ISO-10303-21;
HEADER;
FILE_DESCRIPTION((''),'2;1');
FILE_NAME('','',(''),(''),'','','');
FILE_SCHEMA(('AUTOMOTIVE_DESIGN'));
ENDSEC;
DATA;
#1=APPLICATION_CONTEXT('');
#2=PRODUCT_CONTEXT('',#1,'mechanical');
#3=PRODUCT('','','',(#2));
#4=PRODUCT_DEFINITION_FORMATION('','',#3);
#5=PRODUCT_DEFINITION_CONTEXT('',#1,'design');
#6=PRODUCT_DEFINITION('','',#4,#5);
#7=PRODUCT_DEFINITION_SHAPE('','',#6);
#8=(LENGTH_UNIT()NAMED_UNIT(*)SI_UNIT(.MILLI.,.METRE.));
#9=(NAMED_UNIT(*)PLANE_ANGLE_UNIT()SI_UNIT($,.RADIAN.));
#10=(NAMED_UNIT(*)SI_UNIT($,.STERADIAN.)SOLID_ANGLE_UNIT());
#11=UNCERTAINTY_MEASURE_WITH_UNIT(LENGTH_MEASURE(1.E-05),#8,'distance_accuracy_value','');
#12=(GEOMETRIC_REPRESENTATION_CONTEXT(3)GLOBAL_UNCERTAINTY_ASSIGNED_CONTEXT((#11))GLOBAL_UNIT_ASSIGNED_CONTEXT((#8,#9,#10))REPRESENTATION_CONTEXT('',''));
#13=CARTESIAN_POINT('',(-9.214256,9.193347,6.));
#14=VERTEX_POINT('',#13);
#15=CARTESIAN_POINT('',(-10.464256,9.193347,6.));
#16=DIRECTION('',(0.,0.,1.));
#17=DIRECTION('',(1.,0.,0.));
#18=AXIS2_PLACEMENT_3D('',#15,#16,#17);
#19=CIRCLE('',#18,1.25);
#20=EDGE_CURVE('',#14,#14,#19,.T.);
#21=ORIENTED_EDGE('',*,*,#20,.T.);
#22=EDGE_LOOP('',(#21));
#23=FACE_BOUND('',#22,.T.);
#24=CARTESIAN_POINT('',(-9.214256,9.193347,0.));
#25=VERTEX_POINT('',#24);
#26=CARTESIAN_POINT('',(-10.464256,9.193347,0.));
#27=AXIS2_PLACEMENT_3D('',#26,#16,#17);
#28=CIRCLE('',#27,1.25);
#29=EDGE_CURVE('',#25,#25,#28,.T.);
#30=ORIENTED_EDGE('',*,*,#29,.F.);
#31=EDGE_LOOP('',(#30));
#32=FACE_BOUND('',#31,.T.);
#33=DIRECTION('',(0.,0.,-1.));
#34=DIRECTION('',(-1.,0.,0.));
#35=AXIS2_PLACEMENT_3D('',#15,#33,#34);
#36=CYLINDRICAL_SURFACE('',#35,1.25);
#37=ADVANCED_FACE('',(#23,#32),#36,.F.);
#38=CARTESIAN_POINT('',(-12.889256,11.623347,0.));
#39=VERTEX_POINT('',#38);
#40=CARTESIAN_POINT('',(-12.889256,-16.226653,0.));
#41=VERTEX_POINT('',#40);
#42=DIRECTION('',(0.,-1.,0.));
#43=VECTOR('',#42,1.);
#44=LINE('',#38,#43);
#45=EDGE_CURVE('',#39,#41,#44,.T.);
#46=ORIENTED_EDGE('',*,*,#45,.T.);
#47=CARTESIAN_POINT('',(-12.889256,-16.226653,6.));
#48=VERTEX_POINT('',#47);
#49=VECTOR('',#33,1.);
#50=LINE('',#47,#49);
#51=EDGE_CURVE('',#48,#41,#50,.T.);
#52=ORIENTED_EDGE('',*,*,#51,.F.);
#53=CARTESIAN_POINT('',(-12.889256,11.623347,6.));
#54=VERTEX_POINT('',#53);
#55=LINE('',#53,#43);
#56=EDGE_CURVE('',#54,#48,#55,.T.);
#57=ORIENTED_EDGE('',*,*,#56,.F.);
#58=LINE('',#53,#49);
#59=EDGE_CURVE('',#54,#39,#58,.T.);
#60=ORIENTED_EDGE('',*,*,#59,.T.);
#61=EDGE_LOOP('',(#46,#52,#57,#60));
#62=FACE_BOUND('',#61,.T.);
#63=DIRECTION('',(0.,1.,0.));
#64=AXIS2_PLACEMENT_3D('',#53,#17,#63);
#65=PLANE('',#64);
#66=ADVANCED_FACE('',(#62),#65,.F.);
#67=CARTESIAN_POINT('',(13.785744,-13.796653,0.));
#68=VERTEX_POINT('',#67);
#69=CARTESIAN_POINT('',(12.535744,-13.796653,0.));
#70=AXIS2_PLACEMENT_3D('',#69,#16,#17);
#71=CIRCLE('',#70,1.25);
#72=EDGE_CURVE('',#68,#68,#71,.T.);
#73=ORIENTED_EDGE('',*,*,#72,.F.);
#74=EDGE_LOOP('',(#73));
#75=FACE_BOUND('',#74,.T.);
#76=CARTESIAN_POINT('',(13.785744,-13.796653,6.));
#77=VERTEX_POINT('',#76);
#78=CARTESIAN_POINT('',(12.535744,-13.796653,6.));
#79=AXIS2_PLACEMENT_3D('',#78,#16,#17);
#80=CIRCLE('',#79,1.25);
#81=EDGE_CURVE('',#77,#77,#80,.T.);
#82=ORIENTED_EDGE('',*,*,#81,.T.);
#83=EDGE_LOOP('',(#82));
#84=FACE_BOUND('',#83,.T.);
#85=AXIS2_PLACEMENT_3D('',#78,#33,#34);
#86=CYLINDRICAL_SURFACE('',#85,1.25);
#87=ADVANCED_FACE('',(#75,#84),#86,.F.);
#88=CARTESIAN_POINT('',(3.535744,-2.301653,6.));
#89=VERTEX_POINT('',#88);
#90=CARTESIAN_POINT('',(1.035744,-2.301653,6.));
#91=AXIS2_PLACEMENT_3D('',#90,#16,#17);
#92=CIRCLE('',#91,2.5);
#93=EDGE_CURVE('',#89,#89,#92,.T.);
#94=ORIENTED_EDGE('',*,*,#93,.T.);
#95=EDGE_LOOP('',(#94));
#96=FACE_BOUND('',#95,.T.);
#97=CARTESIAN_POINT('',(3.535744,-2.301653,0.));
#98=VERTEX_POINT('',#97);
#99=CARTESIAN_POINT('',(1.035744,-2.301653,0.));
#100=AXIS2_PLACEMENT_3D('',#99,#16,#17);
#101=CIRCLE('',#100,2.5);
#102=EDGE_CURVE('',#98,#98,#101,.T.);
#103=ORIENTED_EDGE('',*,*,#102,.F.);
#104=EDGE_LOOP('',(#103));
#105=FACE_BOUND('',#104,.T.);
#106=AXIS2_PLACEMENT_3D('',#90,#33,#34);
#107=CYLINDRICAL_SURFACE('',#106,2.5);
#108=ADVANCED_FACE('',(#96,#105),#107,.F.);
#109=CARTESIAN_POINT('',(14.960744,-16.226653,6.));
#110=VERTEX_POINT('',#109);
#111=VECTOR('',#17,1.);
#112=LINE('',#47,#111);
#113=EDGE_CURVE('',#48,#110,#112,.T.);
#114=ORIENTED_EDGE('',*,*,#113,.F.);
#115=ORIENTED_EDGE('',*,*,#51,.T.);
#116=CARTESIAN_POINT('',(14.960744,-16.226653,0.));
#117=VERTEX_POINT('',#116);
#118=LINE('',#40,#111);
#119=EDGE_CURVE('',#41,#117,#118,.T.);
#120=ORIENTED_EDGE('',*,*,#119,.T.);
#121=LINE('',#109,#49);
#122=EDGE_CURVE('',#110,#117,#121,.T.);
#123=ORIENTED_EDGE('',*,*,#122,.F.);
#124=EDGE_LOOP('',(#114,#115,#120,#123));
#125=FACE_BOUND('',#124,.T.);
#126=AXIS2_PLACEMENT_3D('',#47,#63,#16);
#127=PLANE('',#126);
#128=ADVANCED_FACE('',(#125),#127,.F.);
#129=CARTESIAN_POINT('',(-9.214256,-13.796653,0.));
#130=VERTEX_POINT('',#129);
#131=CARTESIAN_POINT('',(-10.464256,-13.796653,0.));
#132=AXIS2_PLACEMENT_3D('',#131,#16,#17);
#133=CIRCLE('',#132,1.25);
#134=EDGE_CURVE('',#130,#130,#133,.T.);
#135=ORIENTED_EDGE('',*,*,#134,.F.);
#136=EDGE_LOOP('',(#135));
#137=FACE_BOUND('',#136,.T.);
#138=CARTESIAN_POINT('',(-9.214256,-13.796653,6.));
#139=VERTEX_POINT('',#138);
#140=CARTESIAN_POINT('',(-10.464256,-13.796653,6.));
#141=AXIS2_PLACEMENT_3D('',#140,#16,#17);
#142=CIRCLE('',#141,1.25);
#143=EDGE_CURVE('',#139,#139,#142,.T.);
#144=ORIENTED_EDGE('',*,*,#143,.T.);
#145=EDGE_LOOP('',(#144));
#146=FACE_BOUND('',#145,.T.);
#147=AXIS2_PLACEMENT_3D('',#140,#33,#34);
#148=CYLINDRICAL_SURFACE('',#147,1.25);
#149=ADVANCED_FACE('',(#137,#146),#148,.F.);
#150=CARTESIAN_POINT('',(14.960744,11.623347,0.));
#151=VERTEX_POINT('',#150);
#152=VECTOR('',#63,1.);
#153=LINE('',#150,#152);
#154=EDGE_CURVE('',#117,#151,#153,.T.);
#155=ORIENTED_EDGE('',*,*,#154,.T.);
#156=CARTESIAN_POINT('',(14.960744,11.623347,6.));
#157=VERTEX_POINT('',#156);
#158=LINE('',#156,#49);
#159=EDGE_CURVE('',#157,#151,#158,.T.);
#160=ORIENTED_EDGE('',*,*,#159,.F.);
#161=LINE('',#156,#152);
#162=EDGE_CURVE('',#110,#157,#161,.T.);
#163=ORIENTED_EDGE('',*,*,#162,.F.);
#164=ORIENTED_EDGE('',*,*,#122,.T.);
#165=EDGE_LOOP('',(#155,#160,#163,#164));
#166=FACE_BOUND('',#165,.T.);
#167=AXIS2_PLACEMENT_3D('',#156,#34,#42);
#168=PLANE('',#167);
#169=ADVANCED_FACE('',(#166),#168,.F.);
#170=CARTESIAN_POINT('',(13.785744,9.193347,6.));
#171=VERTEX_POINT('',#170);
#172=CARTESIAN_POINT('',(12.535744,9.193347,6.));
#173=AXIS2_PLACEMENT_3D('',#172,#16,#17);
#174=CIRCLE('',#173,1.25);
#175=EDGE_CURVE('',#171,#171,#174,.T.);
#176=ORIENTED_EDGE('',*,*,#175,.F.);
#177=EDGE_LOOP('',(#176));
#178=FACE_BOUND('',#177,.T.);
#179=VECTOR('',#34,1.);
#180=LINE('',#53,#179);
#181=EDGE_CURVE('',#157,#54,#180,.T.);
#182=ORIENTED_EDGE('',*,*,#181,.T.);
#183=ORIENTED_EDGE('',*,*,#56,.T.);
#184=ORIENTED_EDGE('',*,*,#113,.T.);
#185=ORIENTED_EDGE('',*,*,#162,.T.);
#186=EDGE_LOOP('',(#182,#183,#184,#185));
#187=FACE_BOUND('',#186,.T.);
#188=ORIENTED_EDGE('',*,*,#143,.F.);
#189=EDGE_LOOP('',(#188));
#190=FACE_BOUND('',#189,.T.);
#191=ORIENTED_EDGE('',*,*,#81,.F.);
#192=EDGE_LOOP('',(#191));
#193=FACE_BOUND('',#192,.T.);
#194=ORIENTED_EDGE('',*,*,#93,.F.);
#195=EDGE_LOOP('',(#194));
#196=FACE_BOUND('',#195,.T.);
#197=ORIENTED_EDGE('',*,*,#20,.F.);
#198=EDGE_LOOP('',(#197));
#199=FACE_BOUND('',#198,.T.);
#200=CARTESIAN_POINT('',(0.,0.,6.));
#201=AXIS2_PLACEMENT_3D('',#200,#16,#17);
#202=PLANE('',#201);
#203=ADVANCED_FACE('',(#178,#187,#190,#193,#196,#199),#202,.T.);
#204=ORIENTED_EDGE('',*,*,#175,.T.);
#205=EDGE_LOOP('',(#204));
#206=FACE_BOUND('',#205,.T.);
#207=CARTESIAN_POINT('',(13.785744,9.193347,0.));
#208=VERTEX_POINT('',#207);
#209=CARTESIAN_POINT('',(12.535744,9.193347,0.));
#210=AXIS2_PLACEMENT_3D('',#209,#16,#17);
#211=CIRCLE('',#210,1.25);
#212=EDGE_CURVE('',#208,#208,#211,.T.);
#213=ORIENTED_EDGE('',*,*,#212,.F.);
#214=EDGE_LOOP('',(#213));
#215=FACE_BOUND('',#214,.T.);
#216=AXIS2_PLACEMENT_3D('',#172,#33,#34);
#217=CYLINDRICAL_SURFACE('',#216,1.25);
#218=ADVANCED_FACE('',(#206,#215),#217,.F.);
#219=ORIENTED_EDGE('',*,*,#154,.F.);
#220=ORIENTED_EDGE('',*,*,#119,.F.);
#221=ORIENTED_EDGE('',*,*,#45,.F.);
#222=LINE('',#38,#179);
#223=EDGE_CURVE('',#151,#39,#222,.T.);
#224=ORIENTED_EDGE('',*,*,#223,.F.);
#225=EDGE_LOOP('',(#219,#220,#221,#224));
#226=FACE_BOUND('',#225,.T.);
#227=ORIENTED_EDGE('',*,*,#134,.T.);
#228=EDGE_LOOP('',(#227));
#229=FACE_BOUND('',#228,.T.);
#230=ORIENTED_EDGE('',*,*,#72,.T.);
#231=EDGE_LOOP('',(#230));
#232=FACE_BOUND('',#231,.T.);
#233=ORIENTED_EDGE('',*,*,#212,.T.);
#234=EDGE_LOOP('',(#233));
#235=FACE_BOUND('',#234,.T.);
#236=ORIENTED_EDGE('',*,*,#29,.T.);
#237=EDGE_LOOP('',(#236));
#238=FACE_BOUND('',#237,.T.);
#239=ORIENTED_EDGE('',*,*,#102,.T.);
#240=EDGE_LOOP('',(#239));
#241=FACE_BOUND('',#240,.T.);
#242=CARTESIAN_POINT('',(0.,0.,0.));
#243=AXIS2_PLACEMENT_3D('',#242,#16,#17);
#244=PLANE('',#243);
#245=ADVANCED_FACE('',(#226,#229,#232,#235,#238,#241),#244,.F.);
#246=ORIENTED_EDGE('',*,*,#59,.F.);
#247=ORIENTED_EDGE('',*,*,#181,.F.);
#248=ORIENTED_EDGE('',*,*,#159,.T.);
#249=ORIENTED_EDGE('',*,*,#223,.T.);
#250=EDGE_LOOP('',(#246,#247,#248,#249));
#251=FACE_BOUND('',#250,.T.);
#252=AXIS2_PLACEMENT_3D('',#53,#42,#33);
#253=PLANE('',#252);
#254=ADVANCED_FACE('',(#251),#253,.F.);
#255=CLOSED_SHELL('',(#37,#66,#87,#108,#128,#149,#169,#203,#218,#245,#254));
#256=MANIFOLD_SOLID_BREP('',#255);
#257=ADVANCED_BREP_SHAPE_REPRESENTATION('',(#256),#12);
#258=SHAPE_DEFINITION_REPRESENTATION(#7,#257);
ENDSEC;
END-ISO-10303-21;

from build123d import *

# Parameters (mm, degrees)
ESQUISSE1_W        = 27.85
ESQUISSE1_H        = 27.85
ESQUISSE1_R        = 1.25
ESQUISSE1_R_2      = 2.5
BOSS_EXTRU_1_DEPTH = 6


with BuildPart() as part:
    # Esquisse1 → Boss.-Extru.1 (new body)
    with BuildSketch(Plane.XY):
        with Locations((1.035743802, -2.301652893)):
            Rectangle(ESQUISSE1_W, ESQUISSE1_H)
        with Locations((12.535743802, 9.193347107)):
            Circle(ESQUISSE1_R, mode=Mode.SUBTRACT)
        with Locations((-10.464256198, 9.193347107)):
            Circle(ESQUISSE1_R, mode=Mode.SUBTRACT)
        with Locations((-10.464256198, -13.796652893)):
            Circle(ESQUISSE1_R, mode=Mode.SUBTRACT)
        with Locations((12.535743802, -13.796652893)):
            Circle(ESQUISSE1_R, mode=Mode.SUBTRACT)
        with Locations((1.035743802, -2.301652893)):
            Circle(ESQUISSE1_R_2, mode=Mode.SUBTRACT)
    extrude(amount=BOSS_EXTRU_1_DEPTH)


solid = part.part
